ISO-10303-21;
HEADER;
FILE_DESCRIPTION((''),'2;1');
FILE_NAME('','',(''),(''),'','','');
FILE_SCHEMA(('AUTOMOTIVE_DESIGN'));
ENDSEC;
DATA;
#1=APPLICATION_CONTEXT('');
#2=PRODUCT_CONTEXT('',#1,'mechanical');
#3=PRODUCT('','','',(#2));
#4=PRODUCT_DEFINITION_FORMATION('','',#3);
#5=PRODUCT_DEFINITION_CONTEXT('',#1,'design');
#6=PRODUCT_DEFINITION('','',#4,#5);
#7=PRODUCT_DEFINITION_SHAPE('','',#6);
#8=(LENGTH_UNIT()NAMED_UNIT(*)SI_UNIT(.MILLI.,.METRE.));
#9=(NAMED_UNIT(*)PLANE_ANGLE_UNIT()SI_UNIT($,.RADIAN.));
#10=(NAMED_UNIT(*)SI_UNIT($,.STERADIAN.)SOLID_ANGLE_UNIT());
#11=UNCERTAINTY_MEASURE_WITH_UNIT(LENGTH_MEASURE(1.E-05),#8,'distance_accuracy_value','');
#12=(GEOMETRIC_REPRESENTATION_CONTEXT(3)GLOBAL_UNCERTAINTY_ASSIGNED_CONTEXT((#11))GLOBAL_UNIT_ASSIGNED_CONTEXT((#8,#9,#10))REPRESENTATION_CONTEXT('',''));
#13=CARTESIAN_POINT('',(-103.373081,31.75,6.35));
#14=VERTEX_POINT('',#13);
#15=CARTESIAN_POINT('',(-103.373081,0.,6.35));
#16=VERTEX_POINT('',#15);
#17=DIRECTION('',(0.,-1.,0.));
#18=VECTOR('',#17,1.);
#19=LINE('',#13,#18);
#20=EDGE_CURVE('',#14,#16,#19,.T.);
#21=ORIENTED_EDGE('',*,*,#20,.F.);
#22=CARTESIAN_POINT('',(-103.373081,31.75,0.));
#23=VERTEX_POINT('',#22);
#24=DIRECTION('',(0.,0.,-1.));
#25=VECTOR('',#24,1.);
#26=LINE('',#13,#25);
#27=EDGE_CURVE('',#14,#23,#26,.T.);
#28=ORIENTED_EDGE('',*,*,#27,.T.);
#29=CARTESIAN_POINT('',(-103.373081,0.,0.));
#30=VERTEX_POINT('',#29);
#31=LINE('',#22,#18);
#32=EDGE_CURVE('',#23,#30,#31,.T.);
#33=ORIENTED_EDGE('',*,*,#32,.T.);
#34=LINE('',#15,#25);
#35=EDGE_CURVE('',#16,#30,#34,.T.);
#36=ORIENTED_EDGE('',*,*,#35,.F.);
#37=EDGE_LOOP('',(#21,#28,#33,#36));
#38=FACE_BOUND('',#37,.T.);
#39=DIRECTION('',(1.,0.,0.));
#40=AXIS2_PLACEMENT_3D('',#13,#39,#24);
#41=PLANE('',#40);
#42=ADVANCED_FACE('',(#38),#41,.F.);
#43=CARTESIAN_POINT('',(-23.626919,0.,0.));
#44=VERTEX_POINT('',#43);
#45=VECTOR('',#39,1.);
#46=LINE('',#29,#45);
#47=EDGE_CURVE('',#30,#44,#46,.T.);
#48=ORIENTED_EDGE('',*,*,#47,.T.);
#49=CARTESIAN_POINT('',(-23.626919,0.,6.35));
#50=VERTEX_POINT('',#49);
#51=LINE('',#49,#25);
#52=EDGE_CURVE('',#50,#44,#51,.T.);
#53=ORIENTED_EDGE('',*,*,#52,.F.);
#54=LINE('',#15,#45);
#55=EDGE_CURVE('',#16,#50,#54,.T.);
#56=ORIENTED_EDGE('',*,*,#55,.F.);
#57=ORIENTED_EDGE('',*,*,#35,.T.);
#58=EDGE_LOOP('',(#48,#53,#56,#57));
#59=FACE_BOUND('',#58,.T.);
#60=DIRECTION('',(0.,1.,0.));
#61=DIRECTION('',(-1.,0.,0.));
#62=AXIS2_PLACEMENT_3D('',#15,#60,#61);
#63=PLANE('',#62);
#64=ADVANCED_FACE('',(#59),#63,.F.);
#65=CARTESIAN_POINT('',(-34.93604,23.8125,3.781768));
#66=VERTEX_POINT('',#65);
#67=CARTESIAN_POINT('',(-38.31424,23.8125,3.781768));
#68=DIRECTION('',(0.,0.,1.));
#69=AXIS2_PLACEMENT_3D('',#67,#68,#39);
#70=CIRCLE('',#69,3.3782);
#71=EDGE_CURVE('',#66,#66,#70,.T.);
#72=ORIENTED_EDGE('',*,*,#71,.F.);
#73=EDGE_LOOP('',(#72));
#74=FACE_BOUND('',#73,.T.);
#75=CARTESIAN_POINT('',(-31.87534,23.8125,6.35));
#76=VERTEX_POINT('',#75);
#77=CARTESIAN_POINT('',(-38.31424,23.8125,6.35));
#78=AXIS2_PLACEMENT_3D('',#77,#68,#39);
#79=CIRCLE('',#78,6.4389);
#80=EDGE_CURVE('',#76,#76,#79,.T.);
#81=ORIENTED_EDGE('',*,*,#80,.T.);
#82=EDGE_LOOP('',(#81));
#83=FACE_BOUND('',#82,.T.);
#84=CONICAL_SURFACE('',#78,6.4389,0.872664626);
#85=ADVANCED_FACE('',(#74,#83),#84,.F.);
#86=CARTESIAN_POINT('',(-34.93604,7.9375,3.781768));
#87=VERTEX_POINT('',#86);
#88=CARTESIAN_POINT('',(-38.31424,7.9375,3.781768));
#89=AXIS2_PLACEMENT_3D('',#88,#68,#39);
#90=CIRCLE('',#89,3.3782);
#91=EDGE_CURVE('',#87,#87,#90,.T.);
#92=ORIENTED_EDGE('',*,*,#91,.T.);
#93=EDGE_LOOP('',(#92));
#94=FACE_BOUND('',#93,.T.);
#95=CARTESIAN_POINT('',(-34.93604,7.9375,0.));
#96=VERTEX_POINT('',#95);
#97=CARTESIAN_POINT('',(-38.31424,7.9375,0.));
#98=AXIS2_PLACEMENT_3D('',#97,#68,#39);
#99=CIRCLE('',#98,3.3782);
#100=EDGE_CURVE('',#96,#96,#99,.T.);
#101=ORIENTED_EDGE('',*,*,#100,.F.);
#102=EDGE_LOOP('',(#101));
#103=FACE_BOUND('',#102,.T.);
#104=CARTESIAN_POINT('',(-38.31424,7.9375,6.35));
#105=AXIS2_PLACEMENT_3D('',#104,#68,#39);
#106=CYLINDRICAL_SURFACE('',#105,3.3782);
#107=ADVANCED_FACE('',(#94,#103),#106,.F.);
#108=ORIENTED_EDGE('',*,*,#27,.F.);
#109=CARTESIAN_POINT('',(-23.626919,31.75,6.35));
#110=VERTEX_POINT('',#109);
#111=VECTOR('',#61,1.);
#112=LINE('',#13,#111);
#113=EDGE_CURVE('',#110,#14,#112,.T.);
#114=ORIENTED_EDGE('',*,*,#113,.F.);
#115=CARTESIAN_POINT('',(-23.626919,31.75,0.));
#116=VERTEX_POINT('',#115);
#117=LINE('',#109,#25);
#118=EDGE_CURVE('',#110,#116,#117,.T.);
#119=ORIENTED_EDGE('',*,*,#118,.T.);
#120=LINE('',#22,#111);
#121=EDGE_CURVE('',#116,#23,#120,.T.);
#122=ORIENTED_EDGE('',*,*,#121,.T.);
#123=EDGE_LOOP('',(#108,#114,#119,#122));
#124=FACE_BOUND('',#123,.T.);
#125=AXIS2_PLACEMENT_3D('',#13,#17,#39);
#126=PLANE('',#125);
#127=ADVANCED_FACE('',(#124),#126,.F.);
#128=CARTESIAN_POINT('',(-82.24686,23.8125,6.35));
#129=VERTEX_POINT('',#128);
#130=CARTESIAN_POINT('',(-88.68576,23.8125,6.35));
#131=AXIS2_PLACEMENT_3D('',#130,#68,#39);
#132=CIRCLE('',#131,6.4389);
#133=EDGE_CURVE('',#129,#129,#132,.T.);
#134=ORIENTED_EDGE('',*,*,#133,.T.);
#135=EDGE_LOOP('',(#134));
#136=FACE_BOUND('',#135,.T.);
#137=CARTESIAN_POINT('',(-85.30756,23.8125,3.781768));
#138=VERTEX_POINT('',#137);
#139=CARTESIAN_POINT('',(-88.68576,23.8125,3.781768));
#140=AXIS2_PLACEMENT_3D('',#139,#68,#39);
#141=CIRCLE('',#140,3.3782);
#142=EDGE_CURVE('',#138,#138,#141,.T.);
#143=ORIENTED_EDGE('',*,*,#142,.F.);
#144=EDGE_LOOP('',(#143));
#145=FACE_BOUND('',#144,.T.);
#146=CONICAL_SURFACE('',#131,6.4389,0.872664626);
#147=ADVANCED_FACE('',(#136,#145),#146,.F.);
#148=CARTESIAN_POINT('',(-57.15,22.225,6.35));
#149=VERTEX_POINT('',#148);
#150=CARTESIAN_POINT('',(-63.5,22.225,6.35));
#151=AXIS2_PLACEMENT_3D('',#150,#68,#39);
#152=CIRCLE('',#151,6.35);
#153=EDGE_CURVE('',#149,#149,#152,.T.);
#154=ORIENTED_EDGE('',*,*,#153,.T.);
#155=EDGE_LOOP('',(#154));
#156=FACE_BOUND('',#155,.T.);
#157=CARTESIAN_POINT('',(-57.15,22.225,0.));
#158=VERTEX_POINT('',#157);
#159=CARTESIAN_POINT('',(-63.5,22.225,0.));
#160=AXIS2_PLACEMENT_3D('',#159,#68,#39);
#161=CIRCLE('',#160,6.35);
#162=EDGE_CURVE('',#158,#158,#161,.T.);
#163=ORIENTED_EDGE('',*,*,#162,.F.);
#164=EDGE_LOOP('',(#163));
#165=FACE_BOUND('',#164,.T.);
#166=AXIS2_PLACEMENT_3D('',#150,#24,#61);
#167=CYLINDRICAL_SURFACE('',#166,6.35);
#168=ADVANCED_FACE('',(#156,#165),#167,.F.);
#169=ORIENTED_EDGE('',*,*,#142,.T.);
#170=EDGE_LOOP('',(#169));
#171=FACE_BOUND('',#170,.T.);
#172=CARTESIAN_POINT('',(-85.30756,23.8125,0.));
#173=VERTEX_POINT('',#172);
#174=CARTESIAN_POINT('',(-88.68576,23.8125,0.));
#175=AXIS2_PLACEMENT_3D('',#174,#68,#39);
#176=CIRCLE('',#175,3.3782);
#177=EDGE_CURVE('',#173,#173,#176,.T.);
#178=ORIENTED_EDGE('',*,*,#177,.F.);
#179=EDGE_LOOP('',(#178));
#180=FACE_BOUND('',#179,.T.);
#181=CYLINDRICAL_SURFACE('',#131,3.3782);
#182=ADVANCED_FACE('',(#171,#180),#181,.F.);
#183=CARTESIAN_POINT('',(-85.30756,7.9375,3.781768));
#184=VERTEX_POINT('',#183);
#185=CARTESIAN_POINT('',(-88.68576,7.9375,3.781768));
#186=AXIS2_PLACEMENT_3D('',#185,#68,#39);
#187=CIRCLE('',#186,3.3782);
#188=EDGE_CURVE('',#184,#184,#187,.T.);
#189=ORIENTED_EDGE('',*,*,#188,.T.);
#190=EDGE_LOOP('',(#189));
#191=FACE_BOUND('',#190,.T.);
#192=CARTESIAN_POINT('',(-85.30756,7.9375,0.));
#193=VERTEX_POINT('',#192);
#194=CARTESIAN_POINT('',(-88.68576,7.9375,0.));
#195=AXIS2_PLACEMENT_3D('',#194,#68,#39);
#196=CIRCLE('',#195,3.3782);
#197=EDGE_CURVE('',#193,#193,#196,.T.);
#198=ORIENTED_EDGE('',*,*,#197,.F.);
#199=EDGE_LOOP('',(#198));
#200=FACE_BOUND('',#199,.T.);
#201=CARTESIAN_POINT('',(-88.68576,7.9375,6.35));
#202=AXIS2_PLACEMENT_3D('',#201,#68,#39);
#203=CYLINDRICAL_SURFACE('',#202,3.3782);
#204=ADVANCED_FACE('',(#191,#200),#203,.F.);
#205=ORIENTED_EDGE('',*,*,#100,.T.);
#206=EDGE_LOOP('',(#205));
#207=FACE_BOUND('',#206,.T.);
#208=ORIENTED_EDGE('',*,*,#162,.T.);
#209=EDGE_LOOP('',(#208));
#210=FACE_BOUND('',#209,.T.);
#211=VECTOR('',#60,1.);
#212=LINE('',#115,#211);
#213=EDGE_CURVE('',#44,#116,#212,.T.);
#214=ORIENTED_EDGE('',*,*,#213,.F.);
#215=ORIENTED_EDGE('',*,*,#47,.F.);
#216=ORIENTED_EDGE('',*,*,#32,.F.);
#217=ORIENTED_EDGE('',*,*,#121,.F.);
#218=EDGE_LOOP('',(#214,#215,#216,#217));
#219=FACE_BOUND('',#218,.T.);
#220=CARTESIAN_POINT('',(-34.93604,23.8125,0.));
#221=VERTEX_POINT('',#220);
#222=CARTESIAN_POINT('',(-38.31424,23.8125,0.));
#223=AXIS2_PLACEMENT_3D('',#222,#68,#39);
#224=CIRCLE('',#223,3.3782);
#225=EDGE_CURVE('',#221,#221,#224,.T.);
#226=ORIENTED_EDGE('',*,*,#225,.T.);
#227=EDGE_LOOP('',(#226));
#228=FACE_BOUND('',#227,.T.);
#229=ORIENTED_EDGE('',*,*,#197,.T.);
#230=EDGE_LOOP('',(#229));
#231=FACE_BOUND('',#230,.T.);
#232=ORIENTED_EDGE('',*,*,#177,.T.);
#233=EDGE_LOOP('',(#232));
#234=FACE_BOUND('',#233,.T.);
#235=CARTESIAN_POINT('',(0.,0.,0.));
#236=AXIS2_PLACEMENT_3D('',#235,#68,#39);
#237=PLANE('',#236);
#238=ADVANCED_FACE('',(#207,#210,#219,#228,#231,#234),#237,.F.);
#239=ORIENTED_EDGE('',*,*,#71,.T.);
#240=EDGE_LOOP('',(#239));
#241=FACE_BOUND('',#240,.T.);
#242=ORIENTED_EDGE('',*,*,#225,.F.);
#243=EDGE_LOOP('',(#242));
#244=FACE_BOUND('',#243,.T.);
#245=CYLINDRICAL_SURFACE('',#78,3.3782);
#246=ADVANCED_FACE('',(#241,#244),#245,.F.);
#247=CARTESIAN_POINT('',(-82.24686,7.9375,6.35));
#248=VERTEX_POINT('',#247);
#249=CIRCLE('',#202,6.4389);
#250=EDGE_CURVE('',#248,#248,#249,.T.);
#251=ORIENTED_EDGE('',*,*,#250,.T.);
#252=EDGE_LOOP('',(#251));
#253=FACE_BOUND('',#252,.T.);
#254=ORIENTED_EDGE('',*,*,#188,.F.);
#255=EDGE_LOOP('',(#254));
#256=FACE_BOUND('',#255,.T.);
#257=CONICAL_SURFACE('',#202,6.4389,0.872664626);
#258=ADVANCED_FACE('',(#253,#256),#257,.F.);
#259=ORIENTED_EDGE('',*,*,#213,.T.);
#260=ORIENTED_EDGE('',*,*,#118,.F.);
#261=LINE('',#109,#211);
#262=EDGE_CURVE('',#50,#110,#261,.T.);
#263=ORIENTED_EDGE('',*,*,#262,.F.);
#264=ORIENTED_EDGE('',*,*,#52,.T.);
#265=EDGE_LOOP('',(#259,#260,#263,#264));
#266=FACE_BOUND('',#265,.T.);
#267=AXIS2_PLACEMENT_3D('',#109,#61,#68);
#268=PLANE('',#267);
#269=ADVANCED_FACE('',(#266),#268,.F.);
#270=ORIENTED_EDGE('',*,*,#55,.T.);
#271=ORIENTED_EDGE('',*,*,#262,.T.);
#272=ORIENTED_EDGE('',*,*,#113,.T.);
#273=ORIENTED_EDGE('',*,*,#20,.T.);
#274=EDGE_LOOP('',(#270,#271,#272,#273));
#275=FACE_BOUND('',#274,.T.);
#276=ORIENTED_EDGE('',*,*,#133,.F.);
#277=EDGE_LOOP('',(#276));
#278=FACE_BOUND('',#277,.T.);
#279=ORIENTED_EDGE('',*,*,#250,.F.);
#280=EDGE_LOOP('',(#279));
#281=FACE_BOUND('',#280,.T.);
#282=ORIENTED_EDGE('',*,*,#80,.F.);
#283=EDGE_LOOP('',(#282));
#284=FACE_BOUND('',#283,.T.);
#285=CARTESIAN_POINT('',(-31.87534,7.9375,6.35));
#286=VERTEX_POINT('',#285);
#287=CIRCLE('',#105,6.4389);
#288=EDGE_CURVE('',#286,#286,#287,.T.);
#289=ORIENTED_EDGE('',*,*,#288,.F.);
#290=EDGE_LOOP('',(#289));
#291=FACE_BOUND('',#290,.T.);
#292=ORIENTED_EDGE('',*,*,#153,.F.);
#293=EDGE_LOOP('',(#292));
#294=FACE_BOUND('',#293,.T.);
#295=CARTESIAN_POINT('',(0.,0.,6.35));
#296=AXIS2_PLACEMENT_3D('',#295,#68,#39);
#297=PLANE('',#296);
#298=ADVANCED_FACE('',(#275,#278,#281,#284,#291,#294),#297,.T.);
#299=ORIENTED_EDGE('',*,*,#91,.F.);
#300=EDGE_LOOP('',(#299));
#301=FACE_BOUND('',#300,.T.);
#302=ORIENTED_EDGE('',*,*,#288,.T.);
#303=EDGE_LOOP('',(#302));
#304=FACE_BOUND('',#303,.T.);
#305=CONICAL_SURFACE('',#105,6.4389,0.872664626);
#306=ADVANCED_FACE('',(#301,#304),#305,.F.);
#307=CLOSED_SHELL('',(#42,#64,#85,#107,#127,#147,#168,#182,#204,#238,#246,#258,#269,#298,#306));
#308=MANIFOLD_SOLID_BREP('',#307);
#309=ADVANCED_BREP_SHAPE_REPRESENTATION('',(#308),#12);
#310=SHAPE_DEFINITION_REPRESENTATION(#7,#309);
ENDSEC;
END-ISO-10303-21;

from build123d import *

# Parameters (mm, degrees)
SKETCH1_W                                           = 79.746162722
SKETCH1_H                                           = 31.75
SKETCH1_R                                           = 6.35
BOSS_EXTRUDE1_DEPTH                                 = 6.35
CSK_FOR_1_4_FLAT_HEAD_MACHINE_SCREW_100_D           = 6.7564
CSK_FOR_1_4_FLAT_HEAD_MACHINE_SCREW_100_CSINK_D     = 12.8778
CSK_FOR_1_4_FLAT_HEAD_MACHINE_SCREW_100_CSINK_ANGLE = 100


with BuildPart() as part:
    # Sketch1 → Boss-Extrude1 (new body)
    with BuildSketch(Plane.XY):
        with Locations((-63.5, 15.875)):
            Rectangle(SKETCH1_W, SKETCH1_H)
        with Locations((-63.5, 22.225)):
            Circle(SKETCH1_R, mode=Mode.SUBTRACT)
    extrude(amount=BOSS_EXTRUDE1_DEPTH)

    # CSK for 1/4 Flat Head Machine Screw (100)1 (through all)
    with Locations(Plane.XY.offset(6.35)):
        with Locations((-88.685760173, 23.8125), (-88.685760173, 7.9375), (-38.314239827, 7.9375), (-38.314239827, 23.8125)):
            CounterSinkHole(CSK_FOR_1_4_FLAT_HEAD_MACHINE_SCREW_100_D / 2, CSK_FOR_1_4_FLAT_HEAD_MACHINE_SCREW_100_CSINK_D / 2, counter_sink_angle=CSK_FOR_1_4_FLAT_HEAD_MACHINE_SCREW_100_CSINK_ANGLE)


solid = part.part
